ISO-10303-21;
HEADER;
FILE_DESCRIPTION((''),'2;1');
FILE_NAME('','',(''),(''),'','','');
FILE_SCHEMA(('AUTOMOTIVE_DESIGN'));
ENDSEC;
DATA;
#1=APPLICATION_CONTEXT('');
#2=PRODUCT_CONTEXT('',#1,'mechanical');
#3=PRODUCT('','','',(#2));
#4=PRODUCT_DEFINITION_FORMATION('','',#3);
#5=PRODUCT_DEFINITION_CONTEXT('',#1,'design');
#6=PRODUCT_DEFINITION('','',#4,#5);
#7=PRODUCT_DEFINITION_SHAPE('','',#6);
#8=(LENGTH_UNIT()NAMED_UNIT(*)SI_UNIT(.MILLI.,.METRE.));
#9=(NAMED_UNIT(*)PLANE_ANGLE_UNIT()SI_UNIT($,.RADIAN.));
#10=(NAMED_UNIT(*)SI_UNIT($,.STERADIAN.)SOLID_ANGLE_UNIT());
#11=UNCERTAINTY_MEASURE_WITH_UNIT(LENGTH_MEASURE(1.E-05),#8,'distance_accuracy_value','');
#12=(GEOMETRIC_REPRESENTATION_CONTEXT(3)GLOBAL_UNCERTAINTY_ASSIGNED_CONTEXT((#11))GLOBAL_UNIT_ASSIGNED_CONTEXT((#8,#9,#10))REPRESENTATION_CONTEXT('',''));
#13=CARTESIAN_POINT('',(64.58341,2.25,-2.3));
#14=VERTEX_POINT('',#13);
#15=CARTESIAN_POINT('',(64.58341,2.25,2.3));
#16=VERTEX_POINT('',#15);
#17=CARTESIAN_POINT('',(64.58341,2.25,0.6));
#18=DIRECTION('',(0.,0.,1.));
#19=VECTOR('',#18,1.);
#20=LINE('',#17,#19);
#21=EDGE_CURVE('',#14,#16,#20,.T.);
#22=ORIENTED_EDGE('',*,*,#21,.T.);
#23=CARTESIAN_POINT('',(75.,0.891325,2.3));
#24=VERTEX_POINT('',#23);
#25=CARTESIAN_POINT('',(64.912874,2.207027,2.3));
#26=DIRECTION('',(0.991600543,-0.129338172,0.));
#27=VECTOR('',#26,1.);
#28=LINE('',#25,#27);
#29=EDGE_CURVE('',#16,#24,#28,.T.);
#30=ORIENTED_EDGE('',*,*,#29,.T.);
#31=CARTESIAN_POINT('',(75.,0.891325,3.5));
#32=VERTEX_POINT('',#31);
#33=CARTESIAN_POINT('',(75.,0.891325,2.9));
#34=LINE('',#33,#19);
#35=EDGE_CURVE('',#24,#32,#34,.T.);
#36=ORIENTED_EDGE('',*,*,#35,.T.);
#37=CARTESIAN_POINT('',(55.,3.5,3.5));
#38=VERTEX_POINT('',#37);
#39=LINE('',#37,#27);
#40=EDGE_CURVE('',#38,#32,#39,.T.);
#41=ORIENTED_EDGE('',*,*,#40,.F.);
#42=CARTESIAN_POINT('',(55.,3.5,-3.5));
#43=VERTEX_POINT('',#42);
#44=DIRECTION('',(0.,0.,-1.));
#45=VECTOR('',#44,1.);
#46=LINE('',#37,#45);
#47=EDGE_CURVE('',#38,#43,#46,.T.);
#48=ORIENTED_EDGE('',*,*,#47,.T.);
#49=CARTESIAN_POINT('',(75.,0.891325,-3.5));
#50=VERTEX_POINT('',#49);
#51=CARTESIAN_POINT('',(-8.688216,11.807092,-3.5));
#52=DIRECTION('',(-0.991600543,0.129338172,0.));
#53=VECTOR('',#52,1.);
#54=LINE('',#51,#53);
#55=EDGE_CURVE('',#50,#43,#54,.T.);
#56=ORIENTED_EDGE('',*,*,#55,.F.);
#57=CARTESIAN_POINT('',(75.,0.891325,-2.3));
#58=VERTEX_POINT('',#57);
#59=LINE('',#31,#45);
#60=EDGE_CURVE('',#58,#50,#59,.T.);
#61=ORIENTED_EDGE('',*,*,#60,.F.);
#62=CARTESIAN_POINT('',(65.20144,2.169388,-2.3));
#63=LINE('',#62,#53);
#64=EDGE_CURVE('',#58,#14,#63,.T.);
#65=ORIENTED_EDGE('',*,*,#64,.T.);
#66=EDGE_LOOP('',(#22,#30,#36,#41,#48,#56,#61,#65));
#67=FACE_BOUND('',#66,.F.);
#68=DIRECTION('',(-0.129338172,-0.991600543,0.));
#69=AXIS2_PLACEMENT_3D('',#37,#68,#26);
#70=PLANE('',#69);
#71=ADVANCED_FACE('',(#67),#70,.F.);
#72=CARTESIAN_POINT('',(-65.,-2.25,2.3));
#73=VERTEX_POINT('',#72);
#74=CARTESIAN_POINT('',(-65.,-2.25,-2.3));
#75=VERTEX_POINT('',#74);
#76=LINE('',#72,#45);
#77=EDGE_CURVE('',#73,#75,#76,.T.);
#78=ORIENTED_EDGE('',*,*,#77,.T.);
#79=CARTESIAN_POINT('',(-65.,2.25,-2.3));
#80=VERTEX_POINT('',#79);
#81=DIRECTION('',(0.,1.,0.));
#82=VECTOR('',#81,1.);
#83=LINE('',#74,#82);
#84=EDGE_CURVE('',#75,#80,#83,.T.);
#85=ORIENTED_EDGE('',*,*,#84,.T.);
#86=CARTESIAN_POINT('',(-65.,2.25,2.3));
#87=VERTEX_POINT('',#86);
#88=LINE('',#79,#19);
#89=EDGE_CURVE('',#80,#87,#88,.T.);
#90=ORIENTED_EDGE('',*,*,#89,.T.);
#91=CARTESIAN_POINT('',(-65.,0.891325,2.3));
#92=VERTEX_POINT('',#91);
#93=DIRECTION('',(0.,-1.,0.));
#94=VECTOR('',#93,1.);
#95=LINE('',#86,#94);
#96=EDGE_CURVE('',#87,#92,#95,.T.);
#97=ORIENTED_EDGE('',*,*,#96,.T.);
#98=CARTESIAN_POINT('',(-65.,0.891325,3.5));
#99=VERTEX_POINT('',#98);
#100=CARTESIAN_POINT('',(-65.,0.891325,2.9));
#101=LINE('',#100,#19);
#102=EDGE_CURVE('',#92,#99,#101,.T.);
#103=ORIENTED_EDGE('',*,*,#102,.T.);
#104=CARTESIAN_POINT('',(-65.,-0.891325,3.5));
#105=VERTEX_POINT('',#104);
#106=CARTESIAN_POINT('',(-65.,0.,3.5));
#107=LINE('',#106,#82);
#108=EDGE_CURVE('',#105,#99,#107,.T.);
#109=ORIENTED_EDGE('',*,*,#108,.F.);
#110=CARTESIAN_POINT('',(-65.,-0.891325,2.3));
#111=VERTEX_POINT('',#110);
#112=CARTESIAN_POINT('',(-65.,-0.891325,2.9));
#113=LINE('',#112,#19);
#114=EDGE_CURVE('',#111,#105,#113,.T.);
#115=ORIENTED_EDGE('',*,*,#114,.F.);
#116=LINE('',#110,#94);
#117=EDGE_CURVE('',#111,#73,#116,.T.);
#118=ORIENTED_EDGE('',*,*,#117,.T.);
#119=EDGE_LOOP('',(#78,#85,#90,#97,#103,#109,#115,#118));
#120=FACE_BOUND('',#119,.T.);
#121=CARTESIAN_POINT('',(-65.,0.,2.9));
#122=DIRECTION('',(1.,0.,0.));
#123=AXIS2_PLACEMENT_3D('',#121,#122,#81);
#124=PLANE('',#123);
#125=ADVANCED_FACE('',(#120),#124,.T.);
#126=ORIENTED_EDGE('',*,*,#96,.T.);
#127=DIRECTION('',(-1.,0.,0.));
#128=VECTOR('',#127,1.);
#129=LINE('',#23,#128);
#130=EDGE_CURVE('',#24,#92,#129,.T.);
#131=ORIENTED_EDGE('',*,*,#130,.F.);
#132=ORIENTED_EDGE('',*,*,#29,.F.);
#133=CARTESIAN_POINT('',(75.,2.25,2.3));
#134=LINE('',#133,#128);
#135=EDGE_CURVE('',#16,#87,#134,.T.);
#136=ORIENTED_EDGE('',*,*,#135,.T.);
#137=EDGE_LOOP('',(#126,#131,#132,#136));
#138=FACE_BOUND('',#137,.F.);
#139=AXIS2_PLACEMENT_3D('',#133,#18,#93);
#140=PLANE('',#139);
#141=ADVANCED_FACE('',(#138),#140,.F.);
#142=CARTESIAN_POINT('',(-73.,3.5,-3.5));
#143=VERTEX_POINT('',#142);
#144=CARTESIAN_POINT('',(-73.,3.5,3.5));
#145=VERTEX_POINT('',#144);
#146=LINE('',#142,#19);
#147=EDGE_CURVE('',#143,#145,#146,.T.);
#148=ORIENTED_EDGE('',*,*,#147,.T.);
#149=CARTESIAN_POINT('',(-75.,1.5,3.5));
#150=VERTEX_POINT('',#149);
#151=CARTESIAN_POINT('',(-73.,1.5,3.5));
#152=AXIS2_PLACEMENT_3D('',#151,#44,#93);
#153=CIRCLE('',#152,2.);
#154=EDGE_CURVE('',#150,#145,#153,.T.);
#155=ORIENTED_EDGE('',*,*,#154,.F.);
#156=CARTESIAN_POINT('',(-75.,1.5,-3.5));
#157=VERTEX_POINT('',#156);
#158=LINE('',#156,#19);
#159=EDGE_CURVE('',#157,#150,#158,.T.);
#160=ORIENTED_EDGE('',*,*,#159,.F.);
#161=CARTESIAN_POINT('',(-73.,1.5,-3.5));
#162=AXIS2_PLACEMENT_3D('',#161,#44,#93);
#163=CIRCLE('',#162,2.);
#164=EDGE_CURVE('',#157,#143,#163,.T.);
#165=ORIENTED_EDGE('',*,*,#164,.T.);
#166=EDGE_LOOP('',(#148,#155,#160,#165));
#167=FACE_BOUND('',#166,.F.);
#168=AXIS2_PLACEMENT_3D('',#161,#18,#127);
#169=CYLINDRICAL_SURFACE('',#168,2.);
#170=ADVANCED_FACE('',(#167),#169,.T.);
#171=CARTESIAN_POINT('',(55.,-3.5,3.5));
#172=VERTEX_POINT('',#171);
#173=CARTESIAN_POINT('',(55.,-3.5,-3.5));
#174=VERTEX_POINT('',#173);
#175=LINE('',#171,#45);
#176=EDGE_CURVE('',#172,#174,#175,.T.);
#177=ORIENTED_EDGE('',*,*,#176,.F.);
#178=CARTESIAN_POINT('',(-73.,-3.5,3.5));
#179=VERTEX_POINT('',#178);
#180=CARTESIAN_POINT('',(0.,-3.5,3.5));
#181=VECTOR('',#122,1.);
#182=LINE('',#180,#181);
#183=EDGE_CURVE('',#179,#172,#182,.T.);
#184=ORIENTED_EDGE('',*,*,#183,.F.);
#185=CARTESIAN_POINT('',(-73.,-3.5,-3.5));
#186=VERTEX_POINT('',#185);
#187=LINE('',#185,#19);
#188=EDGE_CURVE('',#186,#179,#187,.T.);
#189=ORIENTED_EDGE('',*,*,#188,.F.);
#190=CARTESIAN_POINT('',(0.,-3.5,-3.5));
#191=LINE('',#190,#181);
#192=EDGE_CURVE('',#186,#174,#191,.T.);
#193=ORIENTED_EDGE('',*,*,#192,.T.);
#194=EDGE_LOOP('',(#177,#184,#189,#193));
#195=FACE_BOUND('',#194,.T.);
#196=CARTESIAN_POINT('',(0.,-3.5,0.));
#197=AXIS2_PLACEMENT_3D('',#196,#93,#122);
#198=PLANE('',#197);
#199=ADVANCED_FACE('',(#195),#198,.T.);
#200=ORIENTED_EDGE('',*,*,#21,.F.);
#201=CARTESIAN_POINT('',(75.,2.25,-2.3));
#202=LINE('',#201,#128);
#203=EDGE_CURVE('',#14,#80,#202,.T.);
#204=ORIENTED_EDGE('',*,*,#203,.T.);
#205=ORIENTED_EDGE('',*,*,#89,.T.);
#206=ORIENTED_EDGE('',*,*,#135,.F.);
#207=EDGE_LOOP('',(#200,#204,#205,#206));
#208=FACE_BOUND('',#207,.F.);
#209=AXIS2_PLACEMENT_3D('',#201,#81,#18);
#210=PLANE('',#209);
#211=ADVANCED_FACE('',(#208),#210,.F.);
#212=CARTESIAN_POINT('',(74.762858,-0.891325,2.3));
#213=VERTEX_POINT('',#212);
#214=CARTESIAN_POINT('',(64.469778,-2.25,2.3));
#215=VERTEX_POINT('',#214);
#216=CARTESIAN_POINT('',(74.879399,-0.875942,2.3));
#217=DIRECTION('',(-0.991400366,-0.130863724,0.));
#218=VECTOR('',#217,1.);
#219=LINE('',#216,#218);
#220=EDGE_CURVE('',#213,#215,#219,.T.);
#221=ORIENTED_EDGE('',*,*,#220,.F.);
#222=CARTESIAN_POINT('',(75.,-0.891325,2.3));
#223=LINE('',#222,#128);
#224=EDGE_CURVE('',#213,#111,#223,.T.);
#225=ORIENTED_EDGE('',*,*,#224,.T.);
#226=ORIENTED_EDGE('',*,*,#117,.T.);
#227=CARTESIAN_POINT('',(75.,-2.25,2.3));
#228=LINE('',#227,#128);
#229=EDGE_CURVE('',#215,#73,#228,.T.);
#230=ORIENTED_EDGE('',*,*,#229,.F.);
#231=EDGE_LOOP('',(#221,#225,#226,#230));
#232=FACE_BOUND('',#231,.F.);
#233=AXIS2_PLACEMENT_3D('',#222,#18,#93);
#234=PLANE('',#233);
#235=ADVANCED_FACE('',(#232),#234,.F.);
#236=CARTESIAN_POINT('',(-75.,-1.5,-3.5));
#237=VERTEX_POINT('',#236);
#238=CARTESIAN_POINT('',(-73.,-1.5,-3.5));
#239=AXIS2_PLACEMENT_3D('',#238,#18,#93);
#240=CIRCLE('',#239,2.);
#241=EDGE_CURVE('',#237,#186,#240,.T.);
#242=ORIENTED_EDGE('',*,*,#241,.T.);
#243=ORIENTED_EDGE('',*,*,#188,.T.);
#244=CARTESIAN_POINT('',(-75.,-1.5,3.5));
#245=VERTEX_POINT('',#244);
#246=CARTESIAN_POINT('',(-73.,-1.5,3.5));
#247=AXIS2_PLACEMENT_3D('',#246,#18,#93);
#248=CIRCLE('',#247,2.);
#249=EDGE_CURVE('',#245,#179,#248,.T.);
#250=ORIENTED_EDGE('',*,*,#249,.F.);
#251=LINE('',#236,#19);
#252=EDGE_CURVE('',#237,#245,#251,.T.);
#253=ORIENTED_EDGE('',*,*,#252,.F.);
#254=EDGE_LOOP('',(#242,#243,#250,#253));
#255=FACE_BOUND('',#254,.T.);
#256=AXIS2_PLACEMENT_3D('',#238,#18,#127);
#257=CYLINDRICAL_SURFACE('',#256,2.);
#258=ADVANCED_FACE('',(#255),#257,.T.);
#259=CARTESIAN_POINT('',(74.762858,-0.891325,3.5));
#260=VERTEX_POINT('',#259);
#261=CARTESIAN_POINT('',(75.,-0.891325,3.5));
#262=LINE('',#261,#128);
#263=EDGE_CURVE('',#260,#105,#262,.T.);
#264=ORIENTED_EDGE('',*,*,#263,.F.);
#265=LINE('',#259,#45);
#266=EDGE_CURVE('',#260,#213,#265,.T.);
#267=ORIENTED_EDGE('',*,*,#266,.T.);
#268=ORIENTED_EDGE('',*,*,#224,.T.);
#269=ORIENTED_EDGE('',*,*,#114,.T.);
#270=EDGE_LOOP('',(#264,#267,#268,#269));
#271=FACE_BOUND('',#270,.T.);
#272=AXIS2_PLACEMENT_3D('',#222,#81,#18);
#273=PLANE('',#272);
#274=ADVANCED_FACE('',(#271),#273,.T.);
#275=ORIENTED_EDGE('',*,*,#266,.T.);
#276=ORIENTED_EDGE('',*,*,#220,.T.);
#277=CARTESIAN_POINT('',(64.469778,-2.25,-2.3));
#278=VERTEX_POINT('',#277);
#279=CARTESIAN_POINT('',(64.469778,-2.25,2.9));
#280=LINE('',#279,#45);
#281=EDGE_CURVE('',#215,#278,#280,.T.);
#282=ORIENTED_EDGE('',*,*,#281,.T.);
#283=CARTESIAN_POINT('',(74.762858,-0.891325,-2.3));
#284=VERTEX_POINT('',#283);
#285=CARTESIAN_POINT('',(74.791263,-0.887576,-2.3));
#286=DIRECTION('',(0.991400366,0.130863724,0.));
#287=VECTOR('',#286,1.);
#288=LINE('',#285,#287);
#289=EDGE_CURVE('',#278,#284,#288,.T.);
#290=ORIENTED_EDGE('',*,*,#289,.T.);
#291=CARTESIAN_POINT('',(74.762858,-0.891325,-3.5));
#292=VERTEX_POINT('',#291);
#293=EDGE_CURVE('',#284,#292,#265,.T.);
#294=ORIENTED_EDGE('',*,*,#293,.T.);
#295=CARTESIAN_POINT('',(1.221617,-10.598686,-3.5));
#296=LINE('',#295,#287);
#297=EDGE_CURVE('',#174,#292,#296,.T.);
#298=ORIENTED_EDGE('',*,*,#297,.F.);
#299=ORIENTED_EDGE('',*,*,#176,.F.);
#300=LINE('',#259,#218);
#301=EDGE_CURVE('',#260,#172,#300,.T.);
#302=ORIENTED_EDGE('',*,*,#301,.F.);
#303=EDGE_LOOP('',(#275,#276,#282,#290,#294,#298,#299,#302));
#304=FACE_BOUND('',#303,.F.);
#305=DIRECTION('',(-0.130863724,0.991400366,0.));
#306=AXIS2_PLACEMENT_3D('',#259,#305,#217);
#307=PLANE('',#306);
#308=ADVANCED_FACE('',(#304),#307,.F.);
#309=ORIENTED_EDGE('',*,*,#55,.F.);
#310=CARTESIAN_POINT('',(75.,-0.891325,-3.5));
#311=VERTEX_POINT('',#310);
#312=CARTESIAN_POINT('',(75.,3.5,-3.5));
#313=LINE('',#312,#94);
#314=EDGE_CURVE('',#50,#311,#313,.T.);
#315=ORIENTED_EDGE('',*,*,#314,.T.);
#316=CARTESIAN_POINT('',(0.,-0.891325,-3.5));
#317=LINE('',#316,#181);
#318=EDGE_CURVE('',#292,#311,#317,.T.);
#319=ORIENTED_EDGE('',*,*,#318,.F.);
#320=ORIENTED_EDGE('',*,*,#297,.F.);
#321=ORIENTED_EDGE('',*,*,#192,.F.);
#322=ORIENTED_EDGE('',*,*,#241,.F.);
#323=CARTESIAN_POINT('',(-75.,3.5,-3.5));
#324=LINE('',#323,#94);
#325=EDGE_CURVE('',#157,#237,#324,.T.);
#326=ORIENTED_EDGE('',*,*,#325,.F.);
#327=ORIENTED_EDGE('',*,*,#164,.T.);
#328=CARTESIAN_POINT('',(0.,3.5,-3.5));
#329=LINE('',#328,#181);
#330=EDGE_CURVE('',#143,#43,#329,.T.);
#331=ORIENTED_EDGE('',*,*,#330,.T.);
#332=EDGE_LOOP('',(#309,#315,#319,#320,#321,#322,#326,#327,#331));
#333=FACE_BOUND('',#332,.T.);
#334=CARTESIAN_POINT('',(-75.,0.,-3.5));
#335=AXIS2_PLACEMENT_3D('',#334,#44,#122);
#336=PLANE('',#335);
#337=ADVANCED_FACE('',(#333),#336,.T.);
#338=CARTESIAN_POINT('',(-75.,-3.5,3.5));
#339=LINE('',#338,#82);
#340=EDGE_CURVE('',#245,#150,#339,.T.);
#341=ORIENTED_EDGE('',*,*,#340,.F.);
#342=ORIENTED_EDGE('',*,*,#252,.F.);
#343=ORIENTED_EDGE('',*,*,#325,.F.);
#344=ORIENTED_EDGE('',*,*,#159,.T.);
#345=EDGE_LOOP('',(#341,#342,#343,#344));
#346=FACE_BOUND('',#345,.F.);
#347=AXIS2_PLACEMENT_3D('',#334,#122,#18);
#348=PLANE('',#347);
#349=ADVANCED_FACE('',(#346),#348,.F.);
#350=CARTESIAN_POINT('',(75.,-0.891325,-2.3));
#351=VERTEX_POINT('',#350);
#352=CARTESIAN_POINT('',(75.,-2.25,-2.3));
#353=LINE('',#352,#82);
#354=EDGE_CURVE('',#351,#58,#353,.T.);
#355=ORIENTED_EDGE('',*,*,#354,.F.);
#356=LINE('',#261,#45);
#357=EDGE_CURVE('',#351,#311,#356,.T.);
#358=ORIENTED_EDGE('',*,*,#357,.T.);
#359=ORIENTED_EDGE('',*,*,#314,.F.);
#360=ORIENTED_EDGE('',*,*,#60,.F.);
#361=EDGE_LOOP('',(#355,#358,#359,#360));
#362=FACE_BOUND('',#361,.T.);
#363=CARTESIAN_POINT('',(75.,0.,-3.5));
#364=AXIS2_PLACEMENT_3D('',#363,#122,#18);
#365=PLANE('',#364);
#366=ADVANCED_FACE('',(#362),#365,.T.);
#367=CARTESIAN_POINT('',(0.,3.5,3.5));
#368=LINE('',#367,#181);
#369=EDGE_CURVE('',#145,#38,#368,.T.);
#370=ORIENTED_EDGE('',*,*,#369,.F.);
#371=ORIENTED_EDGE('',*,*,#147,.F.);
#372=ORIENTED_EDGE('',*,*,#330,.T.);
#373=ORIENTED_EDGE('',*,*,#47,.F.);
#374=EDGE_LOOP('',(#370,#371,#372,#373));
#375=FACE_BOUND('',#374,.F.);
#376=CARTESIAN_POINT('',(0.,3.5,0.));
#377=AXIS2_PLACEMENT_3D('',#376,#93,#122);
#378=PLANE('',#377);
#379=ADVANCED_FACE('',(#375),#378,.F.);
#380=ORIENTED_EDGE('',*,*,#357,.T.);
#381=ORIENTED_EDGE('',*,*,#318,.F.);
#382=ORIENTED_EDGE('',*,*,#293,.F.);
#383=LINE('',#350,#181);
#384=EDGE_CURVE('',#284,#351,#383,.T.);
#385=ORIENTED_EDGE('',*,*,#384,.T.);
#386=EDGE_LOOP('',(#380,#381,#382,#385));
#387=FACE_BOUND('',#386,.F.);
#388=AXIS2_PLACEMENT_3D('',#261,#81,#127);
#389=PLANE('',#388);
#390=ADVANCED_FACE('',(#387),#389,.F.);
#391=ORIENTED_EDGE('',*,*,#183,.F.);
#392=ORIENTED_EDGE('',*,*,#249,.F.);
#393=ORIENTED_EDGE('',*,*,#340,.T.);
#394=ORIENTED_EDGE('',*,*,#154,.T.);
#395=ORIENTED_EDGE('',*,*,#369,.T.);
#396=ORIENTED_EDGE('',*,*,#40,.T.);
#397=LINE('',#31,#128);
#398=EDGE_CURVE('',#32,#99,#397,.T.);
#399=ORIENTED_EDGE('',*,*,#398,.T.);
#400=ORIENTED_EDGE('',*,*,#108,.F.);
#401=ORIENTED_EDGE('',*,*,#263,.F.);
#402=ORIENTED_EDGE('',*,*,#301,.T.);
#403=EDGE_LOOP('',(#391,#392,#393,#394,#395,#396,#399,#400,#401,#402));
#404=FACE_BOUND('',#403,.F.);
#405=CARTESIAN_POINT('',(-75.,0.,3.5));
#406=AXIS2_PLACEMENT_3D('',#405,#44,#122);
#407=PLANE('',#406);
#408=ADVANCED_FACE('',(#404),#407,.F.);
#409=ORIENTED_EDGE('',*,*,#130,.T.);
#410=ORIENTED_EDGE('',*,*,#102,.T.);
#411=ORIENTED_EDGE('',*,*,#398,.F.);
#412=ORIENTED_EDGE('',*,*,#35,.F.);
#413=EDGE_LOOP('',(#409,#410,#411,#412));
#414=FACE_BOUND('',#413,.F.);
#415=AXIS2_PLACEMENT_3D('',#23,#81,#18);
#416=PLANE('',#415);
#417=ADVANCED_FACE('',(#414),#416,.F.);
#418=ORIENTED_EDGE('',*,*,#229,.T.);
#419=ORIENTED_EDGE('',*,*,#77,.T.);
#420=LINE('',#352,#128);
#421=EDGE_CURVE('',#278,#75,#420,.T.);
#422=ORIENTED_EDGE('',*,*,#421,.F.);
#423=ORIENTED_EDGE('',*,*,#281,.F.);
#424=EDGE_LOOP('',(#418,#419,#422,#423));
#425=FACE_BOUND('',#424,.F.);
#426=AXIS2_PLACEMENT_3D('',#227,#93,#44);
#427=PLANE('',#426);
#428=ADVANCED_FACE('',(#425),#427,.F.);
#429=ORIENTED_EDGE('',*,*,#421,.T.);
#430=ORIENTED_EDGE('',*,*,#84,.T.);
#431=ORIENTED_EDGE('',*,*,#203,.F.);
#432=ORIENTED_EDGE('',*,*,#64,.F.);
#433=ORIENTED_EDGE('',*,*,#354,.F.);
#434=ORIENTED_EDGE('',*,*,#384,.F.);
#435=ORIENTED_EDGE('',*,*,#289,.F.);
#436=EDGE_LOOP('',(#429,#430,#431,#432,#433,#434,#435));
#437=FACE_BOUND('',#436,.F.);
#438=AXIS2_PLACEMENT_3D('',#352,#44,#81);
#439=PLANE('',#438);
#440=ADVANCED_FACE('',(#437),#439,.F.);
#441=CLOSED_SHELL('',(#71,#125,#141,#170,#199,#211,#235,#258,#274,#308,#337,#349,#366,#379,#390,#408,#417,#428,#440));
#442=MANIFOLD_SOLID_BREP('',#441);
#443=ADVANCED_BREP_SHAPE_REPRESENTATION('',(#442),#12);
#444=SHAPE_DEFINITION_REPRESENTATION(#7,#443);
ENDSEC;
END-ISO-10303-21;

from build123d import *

# Parameters (mm, degrees)
F0_W     = 150
F0_H     = 7
F1_DEPTH = 3.5
F2_W     = 1.7826502014
F2_H     = 1.2
F3_DEPTH = 140
F4_R     = 2
F6_DEPTH = 7.001


with BuildPart() as f1:
    # F0 (on Front) → F1 (new body, symmetric)
    with BuildSketch(Plane.XZ):
        Rectangle(F0_W, F0_H)
    extrude(amount=F1_DEPTH, both=True)

    # F2 (on face) → F3 (cut)
    with BuildSketch(Plane.YZ.offset(75)):
        with Locations((0, 2.9)):
            Rectangle(F2_W, F2_H)
        Polygon((-2.25, 2.3), (-2.25, -2.3), (2.25, -2.3), (2.25, 2.3), (0.8913251007, 2.3), (-0.8913251007, 2.3), align=None)
    extrude(amount=-F3_DEPTH, mode=Mode.SUBTRACT)

    # F4
    f4_edges = [f1.edges().sort_by_distance(p)[0] for p in [
        (-75, 3.5, 0),
        (-75, -3.5, 0),
    ]]
    fillet(f4_edges, radius=F4_R)

    # F5 (on face) → F6 (cut, through all)
    with BuildSketch(Plane.XY.offset(3.5)):
        Polygon((75, 3.5), (55, 3.5), (75, 0.8913251007), align=None)
        Polygon((75, -0.8913251007), (74.7628584504, -0.8913251007), (55, -3.5), (75, -3.5), align=None)
    extrude(amount=-F6_DEPTH, mode=Mode.SUBTRACT)


solid = f1.part
